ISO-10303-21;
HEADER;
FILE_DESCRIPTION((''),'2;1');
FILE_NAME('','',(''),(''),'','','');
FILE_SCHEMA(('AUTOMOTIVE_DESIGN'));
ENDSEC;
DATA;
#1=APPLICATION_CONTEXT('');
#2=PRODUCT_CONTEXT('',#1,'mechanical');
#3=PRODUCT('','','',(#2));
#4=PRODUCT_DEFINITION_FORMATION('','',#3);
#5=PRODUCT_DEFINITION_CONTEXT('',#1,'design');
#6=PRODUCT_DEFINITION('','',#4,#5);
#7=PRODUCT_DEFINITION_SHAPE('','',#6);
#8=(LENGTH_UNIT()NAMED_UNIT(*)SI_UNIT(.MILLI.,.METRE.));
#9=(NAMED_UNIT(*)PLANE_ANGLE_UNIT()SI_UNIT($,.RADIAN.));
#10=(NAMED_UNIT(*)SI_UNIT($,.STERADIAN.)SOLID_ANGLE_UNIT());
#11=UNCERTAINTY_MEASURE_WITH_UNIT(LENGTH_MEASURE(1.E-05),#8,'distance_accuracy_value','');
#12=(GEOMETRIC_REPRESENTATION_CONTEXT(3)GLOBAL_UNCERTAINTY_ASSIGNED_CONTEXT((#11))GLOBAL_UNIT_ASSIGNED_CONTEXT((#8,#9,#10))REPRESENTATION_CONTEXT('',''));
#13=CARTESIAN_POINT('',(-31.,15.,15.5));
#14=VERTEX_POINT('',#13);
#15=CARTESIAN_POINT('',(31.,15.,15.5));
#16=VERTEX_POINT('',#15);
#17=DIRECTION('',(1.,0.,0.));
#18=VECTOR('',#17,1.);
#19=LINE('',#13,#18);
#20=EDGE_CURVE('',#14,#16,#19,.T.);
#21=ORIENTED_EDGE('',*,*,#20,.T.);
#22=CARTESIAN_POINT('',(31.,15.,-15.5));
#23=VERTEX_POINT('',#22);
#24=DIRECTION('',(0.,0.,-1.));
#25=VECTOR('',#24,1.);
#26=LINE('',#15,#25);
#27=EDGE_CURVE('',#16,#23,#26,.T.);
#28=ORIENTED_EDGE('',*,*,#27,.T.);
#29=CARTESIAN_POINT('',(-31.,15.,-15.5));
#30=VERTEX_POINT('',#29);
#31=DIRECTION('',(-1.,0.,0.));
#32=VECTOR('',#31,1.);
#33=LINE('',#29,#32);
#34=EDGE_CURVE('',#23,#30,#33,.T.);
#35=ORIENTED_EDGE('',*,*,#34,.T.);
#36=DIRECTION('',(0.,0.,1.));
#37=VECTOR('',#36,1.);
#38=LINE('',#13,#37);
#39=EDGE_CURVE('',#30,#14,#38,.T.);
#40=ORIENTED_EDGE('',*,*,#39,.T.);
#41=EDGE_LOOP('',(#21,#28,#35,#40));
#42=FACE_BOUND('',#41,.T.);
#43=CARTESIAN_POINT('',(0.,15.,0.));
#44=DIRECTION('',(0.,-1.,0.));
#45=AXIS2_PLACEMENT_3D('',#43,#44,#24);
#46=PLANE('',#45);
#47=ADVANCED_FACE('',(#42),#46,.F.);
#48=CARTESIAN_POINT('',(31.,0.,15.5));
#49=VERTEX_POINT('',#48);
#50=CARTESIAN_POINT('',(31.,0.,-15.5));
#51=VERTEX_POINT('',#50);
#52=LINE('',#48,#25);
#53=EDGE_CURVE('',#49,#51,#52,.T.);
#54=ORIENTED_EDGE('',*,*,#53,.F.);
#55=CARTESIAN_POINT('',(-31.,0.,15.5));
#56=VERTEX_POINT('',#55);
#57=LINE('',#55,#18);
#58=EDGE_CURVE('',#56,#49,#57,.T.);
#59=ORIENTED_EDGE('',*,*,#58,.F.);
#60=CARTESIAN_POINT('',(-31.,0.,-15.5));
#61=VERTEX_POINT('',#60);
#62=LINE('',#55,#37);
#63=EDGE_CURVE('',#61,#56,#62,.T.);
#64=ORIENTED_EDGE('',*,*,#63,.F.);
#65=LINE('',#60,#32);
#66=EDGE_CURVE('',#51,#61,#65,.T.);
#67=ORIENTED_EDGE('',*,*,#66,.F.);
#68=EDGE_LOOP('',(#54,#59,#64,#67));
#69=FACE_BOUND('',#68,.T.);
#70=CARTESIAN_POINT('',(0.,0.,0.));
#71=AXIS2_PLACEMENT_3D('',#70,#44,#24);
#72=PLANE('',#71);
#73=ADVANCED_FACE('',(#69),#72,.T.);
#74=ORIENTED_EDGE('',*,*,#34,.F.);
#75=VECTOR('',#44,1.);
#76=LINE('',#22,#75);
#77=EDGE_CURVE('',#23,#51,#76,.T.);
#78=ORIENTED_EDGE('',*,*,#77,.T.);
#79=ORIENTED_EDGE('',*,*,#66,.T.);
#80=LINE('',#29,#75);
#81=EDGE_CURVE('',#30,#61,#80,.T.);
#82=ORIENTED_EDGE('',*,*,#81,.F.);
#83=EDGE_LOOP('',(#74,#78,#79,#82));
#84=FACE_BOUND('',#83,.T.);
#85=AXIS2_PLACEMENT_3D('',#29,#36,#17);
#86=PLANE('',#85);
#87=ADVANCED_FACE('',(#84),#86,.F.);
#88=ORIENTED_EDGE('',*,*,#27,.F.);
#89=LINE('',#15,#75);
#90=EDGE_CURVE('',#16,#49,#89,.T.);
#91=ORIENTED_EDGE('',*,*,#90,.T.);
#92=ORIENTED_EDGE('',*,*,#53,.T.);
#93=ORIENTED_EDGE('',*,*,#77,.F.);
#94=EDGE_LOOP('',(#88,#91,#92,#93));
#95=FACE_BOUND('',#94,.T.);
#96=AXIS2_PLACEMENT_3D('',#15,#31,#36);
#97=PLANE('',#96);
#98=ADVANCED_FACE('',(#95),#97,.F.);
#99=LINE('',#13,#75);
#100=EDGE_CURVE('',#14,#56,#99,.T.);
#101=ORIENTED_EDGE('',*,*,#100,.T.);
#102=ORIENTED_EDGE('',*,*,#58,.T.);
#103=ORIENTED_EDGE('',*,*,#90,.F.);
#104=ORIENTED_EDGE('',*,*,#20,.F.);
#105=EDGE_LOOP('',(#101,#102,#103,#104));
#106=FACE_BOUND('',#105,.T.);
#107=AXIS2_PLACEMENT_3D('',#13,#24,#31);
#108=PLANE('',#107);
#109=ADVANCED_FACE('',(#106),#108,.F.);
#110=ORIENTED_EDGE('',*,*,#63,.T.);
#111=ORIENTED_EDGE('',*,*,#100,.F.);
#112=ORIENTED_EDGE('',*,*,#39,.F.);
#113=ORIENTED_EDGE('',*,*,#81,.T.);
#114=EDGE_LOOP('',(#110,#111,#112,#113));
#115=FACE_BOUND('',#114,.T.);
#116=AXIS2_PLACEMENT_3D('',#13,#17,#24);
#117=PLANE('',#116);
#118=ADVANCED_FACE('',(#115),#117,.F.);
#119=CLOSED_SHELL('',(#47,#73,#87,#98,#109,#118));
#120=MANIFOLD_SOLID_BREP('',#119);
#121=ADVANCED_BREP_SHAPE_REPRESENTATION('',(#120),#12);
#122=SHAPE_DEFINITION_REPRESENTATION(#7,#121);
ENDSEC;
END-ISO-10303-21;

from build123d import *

# Parameters (mm, degrees)
SKETCH1_W           = 62
SKETCH1_H           = 31
BOSS_EXTRUDE1_DEPTH = 15


with BuildPart() as part:
    # Sketch1 → Boss-Extrude1 (new body)
    with BuildSketch(Plane(origin=(0, 0, 0), x_dir=(1, 0, 0), z_dir=(0, 1, 0))):
        Rectangle(SKETCH1_W, SKETCH1_H)
    extrude(amount=BOSS_EXTRUDE1_DEPTH)


solid = part.part
